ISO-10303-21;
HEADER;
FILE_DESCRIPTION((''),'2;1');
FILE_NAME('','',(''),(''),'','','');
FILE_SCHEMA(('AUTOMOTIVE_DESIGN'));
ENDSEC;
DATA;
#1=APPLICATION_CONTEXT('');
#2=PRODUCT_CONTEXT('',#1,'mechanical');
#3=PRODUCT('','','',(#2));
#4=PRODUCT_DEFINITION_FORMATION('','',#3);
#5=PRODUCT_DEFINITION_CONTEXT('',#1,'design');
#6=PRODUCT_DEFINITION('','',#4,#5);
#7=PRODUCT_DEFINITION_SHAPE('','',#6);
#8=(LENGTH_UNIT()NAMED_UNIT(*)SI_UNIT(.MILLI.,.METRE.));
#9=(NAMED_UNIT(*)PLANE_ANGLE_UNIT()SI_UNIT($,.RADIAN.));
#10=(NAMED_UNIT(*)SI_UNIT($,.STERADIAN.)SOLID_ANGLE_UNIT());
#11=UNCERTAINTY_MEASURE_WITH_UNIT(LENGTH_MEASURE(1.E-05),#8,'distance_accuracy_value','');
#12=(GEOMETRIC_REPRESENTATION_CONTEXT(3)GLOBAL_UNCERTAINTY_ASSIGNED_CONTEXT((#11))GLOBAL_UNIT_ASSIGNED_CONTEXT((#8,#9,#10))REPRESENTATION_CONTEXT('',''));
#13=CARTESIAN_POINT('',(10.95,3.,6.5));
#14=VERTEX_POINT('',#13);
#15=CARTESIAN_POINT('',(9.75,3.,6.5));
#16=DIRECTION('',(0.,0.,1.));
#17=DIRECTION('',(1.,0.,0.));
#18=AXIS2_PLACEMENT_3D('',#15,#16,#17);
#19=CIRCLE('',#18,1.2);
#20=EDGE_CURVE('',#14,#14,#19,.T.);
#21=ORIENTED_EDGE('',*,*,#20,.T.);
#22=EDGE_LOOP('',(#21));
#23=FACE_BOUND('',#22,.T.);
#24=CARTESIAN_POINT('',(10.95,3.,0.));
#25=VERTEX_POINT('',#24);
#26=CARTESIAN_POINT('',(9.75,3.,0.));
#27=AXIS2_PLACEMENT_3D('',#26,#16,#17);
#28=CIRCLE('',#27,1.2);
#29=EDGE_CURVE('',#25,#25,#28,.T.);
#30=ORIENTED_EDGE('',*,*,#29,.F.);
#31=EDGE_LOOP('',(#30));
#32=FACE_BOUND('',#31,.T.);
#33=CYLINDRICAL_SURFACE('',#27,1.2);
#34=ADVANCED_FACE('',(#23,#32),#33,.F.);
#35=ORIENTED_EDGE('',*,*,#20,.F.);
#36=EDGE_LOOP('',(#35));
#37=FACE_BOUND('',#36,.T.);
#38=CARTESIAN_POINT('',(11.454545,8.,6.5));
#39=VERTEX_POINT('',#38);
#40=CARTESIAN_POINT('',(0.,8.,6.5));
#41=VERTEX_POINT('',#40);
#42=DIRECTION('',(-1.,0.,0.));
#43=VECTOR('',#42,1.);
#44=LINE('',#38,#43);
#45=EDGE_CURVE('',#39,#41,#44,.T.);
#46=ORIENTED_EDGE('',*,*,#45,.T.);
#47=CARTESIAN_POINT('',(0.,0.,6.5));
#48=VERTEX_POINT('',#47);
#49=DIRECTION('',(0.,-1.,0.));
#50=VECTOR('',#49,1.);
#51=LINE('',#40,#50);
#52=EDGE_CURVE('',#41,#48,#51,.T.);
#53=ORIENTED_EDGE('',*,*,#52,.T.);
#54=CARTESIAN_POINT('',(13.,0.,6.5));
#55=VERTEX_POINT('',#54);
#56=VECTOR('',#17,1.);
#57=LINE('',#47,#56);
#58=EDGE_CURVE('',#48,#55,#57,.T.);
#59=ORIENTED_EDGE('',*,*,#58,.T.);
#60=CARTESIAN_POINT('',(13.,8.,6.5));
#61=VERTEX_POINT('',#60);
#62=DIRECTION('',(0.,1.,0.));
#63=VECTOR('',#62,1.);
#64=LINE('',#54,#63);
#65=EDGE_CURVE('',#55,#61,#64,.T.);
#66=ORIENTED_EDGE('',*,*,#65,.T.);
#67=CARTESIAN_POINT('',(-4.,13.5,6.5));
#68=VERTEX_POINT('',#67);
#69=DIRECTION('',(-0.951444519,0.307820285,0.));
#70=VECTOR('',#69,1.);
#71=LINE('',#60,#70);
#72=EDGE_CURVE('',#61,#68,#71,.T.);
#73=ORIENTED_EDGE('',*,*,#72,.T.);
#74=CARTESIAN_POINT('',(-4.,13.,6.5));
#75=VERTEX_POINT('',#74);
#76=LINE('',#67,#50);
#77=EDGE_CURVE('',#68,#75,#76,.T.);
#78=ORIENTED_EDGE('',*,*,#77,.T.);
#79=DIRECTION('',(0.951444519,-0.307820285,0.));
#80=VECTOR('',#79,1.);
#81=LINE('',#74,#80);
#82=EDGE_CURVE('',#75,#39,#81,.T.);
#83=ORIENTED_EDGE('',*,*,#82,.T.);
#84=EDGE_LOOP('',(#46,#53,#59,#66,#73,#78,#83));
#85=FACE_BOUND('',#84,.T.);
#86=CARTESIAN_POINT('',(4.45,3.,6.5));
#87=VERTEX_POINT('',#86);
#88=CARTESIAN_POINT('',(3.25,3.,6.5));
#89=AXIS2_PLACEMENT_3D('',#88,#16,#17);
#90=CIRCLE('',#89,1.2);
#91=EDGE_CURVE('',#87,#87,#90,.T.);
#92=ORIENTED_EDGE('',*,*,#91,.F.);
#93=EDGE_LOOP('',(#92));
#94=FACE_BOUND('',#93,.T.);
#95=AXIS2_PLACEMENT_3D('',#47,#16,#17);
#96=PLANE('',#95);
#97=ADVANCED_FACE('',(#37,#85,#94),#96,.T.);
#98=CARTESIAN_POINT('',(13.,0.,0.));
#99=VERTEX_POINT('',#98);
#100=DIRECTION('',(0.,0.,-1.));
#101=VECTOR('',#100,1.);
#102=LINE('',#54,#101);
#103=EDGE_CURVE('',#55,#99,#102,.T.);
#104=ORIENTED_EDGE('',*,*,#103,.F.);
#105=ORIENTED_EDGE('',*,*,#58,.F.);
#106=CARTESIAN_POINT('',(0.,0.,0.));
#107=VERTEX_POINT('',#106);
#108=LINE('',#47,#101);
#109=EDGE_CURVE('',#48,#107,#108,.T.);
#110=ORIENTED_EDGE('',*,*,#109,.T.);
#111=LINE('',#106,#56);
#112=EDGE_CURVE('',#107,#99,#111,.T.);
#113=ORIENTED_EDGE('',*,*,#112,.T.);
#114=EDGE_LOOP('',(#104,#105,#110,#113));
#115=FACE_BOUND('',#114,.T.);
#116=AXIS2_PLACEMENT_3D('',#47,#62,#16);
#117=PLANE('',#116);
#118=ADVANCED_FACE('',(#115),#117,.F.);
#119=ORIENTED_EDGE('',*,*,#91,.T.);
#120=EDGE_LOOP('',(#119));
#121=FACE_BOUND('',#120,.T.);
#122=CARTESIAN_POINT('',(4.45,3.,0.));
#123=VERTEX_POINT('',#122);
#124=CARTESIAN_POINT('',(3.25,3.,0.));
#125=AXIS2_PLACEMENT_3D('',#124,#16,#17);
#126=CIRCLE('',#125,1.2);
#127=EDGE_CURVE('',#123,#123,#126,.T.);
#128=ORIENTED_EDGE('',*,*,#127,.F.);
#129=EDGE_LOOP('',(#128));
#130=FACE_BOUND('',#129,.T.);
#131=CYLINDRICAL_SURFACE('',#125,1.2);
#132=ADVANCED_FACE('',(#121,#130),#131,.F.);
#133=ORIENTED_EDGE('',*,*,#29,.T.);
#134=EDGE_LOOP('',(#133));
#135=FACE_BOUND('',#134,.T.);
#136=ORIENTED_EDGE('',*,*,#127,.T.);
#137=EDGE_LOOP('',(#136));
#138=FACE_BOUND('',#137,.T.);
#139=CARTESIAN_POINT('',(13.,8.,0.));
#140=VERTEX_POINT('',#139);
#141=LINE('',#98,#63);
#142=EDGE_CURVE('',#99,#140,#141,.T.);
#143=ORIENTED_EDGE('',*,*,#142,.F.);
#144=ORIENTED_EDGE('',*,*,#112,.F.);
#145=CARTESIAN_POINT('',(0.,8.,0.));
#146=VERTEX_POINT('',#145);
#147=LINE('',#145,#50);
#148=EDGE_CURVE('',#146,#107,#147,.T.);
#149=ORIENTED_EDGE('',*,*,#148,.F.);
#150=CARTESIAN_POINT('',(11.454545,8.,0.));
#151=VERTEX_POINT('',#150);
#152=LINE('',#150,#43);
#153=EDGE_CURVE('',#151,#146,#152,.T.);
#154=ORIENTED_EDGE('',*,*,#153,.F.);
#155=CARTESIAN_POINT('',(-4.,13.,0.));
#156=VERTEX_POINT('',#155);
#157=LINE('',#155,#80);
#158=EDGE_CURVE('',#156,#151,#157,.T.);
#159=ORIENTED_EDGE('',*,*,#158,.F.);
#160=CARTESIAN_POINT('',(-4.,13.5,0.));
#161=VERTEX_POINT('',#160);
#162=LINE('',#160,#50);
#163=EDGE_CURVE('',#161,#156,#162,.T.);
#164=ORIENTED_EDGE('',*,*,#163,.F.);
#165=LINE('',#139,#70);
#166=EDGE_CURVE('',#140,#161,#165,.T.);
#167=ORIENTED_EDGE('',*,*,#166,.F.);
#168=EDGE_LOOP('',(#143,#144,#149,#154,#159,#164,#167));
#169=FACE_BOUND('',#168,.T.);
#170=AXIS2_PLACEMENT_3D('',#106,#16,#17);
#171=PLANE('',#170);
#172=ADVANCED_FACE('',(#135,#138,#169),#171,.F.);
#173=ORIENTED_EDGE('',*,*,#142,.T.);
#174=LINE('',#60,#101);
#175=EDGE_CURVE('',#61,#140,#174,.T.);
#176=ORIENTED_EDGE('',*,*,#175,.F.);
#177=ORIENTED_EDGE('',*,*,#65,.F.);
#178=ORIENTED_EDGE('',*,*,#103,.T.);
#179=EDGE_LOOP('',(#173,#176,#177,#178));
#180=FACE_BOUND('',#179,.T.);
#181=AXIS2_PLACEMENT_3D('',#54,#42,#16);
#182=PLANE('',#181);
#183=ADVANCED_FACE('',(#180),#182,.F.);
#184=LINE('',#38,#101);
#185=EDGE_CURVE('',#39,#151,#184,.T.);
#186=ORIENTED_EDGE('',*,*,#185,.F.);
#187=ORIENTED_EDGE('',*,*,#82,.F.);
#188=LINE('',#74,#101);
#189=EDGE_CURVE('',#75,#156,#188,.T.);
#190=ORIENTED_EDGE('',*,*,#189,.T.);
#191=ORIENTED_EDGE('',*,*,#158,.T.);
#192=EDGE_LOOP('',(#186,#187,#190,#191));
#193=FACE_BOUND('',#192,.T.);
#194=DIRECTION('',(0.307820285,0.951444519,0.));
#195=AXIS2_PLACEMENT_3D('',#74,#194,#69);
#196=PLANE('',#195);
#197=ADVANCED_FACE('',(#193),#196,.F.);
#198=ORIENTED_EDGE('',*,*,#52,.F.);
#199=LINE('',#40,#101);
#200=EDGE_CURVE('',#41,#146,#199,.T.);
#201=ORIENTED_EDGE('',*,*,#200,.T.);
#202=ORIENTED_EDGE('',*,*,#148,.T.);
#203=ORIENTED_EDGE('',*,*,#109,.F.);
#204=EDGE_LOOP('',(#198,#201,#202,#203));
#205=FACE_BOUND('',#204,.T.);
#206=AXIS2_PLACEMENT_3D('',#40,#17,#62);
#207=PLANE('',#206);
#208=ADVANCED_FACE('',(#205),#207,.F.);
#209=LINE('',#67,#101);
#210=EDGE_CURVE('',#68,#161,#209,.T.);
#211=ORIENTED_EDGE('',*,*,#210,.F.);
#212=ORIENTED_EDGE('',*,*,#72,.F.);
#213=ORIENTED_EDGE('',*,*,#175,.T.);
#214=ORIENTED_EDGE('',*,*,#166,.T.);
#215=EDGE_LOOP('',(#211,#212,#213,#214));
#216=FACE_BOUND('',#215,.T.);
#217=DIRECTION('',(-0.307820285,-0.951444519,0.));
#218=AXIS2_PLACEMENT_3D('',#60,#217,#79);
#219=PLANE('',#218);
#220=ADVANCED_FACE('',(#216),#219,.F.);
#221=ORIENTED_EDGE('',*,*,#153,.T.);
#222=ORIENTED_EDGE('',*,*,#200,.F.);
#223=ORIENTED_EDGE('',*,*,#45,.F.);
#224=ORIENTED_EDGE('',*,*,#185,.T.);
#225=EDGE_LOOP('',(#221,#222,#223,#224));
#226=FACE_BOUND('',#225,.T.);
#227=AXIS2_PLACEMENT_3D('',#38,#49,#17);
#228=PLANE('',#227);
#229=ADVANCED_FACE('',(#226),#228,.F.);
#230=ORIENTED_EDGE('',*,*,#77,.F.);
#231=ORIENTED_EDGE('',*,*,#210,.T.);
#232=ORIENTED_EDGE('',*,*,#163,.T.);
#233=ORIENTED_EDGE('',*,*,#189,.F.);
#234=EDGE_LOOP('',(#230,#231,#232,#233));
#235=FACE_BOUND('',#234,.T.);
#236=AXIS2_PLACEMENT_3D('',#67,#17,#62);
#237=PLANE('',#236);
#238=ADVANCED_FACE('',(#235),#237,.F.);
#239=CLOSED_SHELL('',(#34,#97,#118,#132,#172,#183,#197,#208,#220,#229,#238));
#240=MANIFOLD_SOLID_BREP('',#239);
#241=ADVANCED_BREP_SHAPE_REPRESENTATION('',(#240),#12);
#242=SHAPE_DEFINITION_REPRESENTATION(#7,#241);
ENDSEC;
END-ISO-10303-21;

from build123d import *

# Parameters (mm, degrees)
AUFSATZ_LINEAR_AUSTRAGEN1_DEPTH = 6.5
SKIZZE2_R                       = 1.2
SCHNITT_LINEAR_AUSTRAGEN1_DEPTH = 7.5


with BuildPart() as part:
    # Skizze1 → Aufsatz-Linear austragen1 (new body)
    with BuildSketch(Plane.XY):
        Polygon((0, 0), (13, 0), (13, 8), (-4, 13.5), (-4, 13), (11.454545455, 8), (0, 8), align=None)
    extrude(amount=AUFSATZ_LINEAR_AUSTRAGEN1_DEPTH)

    # Skizze2 → Schnitt-Linear austragen1 (cut, through all)
    with BuildSketch(Plane.XY.offset(6.5)):
        with Locations((3.25, 3)):
            Circle(SKIZZE2_R)
        with Locations((9.75, 3)):
            Circle(SKIZZE2_R)
    extrude(amount=-SCHNITT_LINEAR_AUSTRAGEN1_DEPTH, mode=Mode.SUBTRACT)


solid = part.part
